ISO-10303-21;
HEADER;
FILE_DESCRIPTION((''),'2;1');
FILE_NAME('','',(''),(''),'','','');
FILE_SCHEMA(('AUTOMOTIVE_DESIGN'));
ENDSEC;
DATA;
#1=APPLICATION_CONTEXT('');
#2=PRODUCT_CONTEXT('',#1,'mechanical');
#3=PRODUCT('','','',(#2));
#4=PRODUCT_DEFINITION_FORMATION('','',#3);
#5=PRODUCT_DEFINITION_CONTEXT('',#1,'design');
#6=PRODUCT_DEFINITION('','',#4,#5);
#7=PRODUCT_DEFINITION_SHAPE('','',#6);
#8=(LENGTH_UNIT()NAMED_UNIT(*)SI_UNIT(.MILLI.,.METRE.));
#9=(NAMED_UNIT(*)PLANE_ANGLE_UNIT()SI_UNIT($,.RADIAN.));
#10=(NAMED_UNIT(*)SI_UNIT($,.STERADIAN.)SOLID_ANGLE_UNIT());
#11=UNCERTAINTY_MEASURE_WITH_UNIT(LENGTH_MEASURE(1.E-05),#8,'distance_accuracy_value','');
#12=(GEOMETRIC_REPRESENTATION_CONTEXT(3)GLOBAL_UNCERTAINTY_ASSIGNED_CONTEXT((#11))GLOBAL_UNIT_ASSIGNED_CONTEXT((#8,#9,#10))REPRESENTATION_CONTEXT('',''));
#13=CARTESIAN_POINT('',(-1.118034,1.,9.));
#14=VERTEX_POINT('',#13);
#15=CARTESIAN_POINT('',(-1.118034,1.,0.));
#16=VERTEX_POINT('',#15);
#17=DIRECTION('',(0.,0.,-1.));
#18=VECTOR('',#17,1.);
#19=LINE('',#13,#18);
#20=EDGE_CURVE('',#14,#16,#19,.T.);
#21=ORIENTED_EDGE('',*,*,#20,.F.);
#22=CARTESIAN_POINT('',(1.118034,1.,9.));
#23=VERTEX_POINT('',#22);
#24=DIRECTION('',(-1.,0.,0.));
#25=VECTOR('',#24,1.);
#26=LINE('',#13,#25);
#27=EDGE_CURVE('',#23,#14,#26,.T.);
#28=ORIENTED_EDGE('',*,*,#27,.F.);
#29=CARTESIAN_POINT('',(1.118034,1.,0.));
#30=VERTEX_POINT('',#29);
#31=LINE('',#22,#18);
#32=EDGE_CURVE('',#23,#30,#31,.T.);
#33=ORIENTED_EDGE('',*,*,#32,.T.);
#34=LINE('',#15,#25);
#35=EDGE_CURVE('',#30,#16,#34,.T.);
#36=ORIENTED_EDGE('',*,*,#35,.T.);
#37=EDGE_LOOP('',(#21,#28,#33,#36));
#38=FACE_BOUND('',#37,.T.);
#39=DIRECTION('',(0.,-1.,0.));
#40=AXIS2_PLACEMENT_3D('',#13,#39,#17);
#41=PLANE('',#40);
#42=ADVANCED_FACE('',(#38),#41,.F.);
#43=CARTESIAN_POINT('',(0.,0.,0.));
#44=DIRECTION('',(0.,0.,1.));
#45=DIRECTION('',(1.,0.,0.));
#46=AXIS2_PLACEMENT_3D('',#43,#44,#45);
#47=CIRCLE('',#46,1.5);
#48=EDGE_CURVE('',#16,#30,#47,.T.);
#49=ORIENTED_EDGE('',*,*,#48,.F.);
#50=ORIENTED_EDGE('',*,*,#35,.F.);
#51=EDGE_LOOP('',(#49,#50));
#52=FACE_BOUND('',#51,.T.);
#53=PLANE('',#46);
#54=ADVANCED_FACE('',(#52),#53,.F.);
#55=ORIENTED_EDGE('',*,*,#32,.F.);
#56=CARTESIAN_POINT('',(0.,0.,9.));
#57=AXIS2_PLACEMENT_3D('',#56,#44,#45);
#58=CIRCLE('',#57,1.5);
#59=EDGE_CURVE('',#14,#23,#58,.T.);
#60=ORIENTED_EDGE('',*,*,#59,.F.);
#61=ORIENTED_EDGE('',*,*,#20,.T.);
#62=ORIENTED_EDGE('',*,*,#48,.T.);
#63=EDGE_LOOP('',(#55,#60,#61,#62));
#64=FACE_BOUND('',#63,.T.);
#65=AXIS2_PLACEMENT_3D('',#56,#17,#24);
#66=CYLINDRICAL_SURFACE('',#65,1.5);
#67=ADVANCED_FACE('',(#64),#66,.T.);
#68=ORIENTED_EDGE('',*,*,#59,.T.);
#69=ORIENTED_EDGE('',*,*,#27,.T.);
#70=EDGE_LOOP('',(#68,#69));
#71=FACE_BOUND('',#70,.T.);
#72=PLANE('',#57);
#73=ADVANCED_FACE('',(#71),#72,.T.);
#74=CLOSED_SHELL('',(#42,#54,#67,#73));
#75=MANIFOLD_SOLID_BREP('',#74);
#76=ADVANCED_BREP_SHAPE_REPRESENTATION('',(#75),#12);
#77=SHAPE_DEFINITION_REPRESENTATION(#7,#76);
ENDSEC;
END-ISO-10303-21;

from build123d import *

# Parameters (mm, degrees)
BOSS_EXTRUDE1_DEPTH = 9


with BuildPart() as part:
    # Sketch1 → Boss-Extrude1 (new body)
    with BuildSketch(Plane.XY):
        with BuildLine():
            Line((-1.118033989, 1), (1.118033989, 1))
            ThreePointArc((1.118033989, 1), (0, -1.5), (-1.118033989, 1))
        make_face()
    extrude(amount=BOSS_EXTRUDE1_DEPTH)


solid = part.part
